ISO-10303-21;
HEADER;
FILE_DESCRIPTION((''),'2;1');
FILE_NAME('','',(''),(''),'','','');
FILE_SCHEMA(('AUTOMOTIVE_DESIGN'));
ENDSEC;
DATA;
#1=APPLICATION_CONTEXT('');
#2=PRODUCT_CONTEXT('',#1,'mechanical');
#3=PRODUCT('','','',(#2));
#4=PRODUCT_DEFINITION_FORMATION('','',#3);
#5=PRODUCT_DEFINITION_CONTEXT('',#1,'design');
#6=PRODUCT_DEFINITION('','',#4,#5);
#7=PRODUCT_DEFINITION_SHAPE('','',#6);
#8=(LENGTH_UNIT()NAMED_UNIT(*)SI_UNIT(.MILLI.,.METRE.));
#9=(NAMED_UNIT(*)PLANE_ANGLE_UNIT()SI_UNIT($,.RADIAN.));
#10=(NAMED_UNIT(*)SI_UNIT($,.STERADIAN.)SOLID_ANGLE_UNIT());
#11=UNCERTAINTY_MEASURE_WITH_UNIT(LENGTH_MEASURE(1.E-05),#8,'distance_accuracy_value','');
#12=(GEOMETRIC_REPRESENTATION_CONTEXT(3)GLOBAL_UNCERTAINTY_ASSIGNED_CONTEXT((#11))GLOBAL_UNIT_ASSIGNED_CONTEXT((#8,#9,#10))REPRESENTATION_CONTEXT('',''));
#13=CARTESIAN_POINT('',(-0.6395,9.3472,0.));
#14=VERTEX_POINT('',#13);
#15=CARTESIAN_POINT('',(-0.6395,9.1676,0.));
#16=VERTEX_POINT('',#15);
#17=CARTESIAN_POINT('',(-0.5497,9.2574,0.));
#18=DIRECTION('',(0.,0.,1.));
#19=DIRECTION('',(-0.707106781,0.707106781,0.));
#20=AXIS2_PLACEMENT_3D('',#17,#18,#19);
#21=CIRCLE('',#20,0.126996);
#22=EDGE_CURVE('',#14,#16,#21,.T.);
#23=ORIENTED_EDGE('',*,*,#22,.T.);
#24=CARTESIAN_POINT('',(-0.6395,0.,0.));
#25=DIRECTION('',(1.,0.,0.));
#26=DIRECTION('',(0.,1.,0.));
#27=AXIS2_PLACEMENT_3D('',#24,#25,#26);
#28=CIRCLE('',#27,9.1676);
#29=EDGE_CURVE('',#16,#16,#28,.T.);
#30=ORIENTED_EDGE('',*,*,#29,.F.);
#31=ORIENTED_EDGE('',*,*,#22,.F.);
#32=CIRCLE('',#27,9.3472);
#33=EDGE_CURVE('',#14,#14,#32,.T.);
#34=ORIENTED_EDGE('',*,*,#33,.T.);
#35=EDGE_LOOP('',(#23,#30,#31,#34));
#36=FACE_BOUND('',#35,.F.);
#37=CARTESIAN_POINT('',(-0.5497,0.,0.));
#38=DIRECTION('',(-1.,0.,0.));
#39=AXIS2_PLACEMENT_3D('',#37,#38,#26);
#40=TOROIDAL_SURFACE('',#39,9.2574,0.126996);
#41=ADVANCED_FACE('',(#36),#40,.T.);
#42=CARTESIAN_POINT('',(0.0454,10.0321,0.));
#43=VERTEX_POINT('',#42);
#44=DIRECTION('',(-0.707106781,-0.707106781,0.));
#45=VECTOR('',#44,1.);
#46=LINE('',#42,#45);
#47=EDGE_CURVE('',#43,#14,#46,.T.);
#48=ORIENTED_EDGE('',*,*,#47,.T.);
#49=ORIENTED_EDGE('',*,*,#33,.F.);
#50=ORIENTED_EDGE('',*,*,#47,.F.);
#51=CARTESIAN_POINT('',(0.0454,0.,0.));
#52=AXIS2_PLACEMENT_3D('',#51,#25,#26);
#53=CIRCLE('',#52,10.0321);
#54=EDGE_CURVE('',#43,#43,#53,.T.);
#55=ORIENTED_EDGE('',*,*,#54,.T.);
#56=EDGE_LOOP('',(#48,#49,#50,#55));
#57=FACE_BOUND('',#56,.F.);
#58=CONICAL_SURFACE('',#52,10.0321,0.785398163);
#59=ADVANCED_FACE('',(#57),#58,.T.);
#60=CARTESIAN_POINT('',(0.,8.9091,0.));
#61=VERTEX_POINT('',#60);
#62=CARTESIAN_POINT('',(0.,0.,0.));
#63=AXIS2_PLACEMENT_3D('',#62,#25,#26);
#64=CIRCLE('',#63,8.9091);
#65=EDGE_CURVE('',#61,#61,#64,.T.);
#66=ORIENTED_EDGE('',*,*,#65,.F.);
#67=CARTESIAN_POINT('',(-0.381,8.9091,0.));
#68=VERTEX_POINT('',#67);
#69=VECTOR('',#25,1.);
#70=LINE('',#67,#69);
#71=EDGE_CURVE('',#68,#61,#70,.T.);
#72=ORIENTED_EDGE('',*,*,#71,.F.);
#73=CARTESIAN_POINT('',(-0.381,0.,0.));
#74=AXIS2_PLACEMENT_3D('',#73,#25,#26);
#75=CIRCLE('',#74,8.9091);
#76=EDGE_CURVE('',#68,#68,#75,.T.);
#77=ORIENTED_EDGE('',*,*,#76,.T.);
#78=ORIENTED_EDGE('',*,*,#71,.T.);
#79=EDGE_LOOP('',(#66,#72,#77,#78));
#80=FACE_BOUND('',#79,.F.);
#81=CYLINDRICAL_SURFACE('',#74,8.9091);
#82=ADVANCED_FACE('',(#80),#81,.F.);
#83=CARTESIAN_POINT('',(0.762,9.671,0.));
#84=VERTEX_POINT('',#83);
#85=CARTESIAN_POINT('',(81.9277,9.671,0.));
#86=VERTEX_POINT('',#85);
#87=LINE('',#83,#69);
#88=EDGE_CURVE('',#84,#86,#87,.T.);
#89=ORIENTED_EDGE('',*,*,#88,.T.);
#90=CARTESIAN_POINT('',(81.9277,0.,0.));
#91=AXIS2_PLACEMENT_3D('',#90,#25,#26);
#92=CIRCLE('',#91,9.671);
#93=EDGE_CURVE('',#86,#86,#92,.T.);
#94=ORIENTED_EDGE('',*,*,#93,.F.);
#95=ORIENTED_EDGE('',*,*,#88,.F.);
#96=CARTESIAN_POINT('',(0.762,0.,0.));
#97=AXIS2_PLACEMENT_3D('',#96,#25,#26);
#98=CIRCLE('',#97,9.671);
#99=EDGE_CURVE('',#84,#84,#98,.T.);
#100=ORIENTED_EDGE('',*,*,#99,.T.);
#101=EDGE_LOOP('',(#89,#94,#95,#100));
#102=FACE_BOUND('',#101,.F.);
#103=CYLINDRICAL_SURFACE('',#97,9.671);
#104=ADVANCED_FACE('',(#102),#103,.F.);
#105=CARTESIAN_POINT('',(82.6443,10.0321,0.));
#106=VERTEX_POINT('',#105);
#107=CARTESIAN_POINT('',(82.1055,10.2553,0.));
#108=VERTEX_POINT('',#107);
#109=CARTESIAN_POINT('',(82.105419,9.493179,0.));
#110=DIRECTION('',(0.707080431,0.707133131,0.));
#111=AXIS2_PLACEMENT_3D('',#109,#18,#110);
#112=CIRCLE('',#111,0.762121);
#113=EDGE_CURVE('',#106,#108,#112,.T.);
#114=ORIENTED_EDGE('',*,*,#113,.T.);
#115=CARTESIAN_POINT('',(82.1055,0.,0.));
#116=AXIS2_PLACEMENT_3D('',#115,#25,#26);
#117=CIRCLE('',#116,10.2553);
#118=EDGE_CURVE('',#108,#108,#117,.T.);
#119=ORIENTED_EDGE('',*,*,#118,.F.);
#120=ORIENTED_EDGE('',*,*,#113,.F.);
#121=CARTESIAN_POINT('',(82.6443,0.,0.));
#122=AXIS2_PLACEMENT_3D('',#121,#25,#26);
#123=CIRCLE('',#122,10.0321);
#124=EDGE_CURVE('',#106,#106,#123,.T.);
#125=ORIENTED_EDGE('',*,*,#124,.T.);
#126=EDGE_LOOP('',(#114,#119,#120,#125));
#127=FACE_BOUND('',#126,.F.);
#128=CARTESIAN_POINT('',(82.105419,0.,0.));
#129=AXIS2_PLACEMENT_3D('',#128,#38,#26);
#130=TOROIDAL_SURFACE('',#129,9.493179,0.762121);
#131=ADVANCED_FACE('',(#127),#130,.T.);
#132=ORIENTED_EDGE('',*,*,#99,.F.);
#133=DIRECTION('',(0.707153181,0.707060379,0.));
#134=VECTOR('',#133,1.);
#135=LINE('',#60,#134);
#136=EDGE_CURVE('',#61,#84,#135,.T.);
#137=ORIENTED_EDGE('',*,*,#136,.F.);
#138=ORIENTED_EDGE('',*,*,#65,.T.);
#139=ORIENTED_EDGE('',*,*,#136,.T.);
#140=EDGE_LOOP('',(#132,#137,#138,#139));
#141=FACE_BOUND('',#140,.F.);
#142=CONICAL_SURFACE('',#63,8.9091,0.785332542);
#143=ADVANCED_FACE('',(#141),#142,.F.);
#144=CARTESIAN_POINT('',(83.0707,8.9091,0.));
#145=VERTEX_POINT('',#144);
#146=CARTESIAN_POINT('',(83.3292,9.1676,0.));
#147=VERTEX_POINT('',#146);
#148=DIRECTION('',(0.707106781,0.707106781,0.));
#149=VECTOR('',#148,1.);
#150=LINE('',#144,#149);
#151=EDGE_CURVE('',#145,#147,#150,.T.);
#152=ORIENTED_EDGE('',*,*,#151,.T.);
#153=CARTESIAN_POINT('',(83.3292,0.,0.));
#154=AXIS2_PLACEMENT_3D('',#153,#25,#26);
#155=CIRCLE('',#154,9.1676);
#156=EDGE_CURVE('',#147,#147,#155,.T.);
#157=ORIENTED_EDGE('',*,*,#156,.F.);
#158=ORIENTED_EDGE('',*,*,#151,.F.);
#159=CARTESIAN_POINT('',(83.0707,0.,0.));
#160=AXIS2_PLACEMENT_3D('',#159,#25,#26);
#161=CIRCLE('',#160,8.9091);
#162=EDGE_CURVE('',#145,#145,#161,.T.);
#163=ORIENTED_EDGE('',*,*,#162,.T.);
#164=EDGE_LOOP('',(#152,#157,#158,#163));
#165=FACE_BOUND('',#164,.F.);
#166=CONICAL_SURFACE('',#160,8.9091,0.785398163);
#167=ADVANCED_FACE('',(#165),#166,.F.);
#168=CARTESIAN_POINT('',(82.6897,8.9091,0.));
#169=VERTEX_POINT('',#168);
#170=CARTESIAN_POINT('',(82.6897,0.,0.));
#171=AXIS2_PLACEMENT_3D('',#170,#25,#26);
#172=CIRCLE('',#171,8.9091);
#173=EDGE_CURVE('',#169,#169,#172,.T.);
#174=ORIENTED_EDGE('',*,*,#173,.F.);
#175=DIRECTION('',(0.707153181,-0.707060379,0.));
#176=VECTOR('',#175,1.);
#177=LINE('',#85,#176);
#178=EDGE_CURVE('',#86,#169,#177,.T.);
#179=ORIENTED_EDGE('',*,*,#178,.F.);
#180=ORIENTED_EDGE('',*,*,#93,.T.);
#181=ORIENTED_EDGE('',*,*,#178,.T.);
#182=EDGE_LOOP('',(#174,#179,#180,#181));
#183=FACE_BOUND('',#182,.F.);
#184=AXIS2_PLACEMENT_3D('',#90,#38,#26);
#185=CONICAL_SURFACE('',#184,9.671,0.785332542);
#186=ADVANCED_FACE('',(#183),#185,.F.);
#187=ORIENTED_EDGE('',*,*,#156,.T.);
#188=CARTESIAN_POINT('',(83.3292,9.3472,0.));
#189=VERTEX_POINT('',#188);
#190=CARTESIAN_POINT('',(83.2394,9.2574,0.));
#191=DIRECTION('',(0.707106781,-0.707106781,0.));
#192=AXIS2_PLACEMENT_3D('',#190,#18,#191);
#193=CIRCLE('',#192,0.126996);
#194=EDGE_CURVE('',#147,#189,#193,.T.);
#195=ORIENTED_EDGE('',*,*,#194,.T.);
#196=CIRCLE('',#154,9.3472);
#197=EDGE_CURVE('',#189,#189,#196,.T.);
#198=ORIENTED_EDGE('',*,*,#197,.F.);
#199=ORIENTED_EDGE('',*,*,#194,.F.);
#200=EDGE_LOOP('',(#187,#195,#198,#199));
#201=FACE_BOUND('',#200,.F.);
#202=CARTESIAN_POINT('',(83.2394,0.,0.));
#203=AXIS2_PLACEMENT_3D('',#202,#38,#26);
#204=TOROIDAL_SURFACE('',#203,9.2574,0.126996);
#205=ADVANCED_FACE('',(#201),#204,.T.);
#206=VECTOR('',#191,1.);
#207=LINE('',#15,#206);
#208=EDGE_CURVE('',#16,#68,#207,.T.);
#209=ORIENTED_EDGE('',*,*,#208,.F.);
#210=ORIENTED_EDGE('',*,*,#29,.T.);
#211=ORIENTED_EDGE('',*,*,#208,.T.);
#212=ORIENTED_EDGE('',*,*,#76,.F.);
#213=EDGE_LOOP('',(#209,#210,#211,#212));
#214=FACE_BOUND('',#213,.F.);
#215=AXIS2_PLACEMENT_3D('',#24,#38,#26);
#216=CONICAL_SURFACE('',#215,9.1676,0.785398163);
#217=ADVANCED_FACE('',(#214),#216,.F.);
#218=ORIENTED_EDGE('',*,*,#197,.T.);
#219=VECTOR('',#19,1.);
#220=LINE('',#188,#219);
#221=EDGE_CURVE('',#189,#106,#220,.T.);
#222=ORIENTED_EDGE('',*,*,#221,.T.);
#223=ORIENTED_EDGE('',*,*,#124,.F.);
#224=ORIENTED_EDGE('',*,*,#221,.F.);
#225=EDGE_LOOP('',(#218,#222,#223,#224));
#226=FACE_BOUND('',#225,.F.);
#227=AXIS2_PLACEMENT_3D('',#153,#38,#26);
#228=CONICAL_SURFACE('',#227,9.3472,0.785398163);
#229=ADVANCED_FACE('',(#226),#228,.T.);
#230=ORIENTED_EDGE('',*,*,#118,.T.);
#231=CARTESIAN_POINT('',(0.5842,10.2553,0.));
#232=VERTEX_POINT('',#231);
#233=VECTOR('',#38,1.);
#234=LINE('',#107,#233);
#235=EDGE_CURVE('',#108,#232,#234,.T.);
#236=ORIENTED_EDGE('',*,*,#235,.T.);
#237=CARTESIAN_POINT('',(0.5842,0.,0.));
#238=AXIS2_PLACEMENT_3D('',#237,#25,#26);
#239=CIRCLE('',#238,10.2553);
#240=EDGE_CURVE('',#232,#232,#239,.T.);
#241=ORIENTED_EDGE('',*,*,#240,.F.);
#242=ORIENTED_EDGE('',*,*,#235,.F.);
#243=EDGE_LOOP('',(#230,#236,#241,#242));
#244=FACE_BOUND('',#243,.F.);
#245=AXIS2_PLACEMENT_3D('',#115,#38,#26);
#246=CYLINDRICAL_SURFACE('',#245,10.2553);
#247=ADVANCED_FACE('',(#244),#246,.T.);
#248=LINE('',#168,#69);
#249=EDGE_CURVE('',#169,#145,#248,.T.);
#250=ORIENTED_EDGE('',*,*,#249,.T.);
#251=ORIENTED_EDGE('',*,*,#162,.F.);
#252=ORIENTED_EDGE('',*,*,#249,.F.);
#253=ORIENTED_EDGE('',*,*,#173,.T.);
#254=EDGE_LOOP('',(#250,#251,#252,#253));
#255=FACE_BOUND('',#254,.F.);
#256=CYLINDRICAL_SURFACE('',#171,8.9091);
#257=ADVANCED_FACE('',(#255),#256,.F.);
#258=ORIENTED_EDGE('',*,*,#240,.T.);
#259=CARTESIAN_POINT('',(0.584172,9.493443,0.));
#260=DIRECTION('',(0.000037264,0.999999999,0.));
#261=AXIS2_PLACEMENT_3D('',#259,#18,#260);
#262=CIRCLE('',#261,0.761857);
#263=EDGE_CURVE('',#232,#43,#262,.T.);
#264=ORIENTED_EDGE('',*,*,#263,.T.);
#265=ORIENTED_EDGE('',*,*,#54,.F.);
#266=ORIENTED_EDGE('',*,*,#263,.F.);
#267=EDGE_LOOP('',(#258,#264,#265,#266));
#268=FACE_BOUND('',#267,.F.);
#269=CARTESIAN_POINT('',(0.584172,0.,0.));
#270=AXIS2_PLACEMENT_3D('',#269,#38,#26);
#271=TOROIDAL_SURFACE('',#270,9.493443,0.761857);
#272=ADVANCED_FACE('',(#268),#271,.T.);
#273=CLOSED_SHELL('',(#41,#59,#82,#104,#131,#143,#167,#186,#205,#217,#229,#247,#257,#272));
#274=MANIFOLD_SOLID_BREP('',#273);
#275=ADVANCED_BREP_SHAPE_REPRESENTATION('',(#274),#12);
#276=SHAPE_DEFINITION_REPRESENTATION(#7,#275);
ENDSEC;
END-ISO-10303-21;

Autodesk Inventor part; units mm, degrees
sketch "Sketch_1" plane through (0, 0, 0) normal (0, 0, 1) x (1, 0, 0)
  line L0 (82.6897, 0) -> (0, 0)
  arc A0 (-0.6395, 9.3472) -> (-0.6395, 9.1676) centre (-0.5497, 9.2574) ccw
  line L1 (-0.6395, 9.1676) -> (-0.381, 8.9091)
  line L2 (-0.381, 8.9091) -> (0, 8.9091)
  line L3 (0, 8.9091) -> (0.762, 9.671)
  line L4 (0.762, 9.671) -> (81.9277, 9.671)
  line L5 (81.9277, 9.671) -> (82.6897, 8.9091)
  line L6 (82.6897, 8.9091) -> (83.0707, 8.9091)
  line L7 (83.0707, 8.9091) -> (83.3292, 9.1676)
  arc A1 (83.3292, 9.1676) -> (83.3292, 9.3472) centre (83.2394, 9.2574) ccw
  line L8 (83.3292, 9.3472) -> (82.6443, 10.0321)
  arc A2 (82.6443, 10.0321) -> (82.1055, 10.2553) centre (82.1055, 9.4933) ccw
  line L9 (82.1055, 10.2553) -> (0.5842, 10.2553)
  arc A3 (0.5842, 10.2553) -> (0.0454, 10.0321) centre (0.5842, 9.4933) ccw
  line L10 (0.0454, 10.0321) -> (-0.6395, 9.3472)
revolve "Revolution1" add sketch "Sketch_1" angle 360 about axis through (82.6897, 0, 0) along (1, 0, 0)
ref_plane "tube_front_XY" through (0, 0, 0) normal (1, 0, 0) x (0, 0, -1)
ref_plane "tube_front_YZ" through (0, 0, 0) normal (0, 0, -1) x (0, 1, 0)
ref_plane "tube_front_ZX" through (0, 0, 0) normal (0, 1, 0) x (1, 0, 0)
ref_plane "tube_rear_XY" through (82.6897, 0, 0) normal (1, 0, 0) x (0, 0, -1)
ref_plane "tube_rear_YZ" through (82.6897, 0, 0) normal (0, 0, -1) x (0, 1, 0)
ref_plane "tube_rear_ZX" through (82.6897, 0, 0) normal (0, 1, 0) x (1, 0, 0)
ref_plane "cp1_XY" through (41.3449, 10.2553, 0) normal (1, 0, 0) x (0, 0, -1)
ref_plane "cp1_YZ" through (41.3449, 10.2553, 0) normal (0, 0, -1) x (0, 1, 0)
ref_plane "cp1_ZX" through (41.3449, 10.2553, 0) normal (0, 1, 0) x (1, 0, 0)
ref_plane "cp2_XY" through (41.3449, 0, -10.2553) normal (1, 0, 0) x (0, 0, -1)
ref_plane "cp2_YZ" through (41.3449, 0, -10.2553) normal (0, 0, -1) x (0, 1, 0)
ref_plane "cp2_ZX" through (41.3449, 0, -10.2553) normal (0, 1, 0) x (1, 0, 0)
ref_plane "cp3_XY" through (41.3449, -10.2553, 0) normal (1, 0, 0) x (0, 0, -1)
ref_plane "cp3_YZ" through (41.3449, -10.2553, 0) normal (0, 0, -1) x (0, 1, 0)
ref_plane "cp3_ZX" through (41.3449, -10.2553, 0) normal (0, 1, 0) x (1, 0, 0)
ref_plane "cp4_XY" through (41.3449, 0, 10.2553) normal (1, 0, 0) x (0, 0, -1)
ref_plane "cp4_YZ" through (41.3449, 0, 10.2553) normal (0, 0, -1) x (0, 1, 0)
ref_plane "cp4_ZX" through (41.3449, 0, 10.2553) normal (0, 1, 0) x (1, 0, 0)
properties part number "04R-3.25550"
